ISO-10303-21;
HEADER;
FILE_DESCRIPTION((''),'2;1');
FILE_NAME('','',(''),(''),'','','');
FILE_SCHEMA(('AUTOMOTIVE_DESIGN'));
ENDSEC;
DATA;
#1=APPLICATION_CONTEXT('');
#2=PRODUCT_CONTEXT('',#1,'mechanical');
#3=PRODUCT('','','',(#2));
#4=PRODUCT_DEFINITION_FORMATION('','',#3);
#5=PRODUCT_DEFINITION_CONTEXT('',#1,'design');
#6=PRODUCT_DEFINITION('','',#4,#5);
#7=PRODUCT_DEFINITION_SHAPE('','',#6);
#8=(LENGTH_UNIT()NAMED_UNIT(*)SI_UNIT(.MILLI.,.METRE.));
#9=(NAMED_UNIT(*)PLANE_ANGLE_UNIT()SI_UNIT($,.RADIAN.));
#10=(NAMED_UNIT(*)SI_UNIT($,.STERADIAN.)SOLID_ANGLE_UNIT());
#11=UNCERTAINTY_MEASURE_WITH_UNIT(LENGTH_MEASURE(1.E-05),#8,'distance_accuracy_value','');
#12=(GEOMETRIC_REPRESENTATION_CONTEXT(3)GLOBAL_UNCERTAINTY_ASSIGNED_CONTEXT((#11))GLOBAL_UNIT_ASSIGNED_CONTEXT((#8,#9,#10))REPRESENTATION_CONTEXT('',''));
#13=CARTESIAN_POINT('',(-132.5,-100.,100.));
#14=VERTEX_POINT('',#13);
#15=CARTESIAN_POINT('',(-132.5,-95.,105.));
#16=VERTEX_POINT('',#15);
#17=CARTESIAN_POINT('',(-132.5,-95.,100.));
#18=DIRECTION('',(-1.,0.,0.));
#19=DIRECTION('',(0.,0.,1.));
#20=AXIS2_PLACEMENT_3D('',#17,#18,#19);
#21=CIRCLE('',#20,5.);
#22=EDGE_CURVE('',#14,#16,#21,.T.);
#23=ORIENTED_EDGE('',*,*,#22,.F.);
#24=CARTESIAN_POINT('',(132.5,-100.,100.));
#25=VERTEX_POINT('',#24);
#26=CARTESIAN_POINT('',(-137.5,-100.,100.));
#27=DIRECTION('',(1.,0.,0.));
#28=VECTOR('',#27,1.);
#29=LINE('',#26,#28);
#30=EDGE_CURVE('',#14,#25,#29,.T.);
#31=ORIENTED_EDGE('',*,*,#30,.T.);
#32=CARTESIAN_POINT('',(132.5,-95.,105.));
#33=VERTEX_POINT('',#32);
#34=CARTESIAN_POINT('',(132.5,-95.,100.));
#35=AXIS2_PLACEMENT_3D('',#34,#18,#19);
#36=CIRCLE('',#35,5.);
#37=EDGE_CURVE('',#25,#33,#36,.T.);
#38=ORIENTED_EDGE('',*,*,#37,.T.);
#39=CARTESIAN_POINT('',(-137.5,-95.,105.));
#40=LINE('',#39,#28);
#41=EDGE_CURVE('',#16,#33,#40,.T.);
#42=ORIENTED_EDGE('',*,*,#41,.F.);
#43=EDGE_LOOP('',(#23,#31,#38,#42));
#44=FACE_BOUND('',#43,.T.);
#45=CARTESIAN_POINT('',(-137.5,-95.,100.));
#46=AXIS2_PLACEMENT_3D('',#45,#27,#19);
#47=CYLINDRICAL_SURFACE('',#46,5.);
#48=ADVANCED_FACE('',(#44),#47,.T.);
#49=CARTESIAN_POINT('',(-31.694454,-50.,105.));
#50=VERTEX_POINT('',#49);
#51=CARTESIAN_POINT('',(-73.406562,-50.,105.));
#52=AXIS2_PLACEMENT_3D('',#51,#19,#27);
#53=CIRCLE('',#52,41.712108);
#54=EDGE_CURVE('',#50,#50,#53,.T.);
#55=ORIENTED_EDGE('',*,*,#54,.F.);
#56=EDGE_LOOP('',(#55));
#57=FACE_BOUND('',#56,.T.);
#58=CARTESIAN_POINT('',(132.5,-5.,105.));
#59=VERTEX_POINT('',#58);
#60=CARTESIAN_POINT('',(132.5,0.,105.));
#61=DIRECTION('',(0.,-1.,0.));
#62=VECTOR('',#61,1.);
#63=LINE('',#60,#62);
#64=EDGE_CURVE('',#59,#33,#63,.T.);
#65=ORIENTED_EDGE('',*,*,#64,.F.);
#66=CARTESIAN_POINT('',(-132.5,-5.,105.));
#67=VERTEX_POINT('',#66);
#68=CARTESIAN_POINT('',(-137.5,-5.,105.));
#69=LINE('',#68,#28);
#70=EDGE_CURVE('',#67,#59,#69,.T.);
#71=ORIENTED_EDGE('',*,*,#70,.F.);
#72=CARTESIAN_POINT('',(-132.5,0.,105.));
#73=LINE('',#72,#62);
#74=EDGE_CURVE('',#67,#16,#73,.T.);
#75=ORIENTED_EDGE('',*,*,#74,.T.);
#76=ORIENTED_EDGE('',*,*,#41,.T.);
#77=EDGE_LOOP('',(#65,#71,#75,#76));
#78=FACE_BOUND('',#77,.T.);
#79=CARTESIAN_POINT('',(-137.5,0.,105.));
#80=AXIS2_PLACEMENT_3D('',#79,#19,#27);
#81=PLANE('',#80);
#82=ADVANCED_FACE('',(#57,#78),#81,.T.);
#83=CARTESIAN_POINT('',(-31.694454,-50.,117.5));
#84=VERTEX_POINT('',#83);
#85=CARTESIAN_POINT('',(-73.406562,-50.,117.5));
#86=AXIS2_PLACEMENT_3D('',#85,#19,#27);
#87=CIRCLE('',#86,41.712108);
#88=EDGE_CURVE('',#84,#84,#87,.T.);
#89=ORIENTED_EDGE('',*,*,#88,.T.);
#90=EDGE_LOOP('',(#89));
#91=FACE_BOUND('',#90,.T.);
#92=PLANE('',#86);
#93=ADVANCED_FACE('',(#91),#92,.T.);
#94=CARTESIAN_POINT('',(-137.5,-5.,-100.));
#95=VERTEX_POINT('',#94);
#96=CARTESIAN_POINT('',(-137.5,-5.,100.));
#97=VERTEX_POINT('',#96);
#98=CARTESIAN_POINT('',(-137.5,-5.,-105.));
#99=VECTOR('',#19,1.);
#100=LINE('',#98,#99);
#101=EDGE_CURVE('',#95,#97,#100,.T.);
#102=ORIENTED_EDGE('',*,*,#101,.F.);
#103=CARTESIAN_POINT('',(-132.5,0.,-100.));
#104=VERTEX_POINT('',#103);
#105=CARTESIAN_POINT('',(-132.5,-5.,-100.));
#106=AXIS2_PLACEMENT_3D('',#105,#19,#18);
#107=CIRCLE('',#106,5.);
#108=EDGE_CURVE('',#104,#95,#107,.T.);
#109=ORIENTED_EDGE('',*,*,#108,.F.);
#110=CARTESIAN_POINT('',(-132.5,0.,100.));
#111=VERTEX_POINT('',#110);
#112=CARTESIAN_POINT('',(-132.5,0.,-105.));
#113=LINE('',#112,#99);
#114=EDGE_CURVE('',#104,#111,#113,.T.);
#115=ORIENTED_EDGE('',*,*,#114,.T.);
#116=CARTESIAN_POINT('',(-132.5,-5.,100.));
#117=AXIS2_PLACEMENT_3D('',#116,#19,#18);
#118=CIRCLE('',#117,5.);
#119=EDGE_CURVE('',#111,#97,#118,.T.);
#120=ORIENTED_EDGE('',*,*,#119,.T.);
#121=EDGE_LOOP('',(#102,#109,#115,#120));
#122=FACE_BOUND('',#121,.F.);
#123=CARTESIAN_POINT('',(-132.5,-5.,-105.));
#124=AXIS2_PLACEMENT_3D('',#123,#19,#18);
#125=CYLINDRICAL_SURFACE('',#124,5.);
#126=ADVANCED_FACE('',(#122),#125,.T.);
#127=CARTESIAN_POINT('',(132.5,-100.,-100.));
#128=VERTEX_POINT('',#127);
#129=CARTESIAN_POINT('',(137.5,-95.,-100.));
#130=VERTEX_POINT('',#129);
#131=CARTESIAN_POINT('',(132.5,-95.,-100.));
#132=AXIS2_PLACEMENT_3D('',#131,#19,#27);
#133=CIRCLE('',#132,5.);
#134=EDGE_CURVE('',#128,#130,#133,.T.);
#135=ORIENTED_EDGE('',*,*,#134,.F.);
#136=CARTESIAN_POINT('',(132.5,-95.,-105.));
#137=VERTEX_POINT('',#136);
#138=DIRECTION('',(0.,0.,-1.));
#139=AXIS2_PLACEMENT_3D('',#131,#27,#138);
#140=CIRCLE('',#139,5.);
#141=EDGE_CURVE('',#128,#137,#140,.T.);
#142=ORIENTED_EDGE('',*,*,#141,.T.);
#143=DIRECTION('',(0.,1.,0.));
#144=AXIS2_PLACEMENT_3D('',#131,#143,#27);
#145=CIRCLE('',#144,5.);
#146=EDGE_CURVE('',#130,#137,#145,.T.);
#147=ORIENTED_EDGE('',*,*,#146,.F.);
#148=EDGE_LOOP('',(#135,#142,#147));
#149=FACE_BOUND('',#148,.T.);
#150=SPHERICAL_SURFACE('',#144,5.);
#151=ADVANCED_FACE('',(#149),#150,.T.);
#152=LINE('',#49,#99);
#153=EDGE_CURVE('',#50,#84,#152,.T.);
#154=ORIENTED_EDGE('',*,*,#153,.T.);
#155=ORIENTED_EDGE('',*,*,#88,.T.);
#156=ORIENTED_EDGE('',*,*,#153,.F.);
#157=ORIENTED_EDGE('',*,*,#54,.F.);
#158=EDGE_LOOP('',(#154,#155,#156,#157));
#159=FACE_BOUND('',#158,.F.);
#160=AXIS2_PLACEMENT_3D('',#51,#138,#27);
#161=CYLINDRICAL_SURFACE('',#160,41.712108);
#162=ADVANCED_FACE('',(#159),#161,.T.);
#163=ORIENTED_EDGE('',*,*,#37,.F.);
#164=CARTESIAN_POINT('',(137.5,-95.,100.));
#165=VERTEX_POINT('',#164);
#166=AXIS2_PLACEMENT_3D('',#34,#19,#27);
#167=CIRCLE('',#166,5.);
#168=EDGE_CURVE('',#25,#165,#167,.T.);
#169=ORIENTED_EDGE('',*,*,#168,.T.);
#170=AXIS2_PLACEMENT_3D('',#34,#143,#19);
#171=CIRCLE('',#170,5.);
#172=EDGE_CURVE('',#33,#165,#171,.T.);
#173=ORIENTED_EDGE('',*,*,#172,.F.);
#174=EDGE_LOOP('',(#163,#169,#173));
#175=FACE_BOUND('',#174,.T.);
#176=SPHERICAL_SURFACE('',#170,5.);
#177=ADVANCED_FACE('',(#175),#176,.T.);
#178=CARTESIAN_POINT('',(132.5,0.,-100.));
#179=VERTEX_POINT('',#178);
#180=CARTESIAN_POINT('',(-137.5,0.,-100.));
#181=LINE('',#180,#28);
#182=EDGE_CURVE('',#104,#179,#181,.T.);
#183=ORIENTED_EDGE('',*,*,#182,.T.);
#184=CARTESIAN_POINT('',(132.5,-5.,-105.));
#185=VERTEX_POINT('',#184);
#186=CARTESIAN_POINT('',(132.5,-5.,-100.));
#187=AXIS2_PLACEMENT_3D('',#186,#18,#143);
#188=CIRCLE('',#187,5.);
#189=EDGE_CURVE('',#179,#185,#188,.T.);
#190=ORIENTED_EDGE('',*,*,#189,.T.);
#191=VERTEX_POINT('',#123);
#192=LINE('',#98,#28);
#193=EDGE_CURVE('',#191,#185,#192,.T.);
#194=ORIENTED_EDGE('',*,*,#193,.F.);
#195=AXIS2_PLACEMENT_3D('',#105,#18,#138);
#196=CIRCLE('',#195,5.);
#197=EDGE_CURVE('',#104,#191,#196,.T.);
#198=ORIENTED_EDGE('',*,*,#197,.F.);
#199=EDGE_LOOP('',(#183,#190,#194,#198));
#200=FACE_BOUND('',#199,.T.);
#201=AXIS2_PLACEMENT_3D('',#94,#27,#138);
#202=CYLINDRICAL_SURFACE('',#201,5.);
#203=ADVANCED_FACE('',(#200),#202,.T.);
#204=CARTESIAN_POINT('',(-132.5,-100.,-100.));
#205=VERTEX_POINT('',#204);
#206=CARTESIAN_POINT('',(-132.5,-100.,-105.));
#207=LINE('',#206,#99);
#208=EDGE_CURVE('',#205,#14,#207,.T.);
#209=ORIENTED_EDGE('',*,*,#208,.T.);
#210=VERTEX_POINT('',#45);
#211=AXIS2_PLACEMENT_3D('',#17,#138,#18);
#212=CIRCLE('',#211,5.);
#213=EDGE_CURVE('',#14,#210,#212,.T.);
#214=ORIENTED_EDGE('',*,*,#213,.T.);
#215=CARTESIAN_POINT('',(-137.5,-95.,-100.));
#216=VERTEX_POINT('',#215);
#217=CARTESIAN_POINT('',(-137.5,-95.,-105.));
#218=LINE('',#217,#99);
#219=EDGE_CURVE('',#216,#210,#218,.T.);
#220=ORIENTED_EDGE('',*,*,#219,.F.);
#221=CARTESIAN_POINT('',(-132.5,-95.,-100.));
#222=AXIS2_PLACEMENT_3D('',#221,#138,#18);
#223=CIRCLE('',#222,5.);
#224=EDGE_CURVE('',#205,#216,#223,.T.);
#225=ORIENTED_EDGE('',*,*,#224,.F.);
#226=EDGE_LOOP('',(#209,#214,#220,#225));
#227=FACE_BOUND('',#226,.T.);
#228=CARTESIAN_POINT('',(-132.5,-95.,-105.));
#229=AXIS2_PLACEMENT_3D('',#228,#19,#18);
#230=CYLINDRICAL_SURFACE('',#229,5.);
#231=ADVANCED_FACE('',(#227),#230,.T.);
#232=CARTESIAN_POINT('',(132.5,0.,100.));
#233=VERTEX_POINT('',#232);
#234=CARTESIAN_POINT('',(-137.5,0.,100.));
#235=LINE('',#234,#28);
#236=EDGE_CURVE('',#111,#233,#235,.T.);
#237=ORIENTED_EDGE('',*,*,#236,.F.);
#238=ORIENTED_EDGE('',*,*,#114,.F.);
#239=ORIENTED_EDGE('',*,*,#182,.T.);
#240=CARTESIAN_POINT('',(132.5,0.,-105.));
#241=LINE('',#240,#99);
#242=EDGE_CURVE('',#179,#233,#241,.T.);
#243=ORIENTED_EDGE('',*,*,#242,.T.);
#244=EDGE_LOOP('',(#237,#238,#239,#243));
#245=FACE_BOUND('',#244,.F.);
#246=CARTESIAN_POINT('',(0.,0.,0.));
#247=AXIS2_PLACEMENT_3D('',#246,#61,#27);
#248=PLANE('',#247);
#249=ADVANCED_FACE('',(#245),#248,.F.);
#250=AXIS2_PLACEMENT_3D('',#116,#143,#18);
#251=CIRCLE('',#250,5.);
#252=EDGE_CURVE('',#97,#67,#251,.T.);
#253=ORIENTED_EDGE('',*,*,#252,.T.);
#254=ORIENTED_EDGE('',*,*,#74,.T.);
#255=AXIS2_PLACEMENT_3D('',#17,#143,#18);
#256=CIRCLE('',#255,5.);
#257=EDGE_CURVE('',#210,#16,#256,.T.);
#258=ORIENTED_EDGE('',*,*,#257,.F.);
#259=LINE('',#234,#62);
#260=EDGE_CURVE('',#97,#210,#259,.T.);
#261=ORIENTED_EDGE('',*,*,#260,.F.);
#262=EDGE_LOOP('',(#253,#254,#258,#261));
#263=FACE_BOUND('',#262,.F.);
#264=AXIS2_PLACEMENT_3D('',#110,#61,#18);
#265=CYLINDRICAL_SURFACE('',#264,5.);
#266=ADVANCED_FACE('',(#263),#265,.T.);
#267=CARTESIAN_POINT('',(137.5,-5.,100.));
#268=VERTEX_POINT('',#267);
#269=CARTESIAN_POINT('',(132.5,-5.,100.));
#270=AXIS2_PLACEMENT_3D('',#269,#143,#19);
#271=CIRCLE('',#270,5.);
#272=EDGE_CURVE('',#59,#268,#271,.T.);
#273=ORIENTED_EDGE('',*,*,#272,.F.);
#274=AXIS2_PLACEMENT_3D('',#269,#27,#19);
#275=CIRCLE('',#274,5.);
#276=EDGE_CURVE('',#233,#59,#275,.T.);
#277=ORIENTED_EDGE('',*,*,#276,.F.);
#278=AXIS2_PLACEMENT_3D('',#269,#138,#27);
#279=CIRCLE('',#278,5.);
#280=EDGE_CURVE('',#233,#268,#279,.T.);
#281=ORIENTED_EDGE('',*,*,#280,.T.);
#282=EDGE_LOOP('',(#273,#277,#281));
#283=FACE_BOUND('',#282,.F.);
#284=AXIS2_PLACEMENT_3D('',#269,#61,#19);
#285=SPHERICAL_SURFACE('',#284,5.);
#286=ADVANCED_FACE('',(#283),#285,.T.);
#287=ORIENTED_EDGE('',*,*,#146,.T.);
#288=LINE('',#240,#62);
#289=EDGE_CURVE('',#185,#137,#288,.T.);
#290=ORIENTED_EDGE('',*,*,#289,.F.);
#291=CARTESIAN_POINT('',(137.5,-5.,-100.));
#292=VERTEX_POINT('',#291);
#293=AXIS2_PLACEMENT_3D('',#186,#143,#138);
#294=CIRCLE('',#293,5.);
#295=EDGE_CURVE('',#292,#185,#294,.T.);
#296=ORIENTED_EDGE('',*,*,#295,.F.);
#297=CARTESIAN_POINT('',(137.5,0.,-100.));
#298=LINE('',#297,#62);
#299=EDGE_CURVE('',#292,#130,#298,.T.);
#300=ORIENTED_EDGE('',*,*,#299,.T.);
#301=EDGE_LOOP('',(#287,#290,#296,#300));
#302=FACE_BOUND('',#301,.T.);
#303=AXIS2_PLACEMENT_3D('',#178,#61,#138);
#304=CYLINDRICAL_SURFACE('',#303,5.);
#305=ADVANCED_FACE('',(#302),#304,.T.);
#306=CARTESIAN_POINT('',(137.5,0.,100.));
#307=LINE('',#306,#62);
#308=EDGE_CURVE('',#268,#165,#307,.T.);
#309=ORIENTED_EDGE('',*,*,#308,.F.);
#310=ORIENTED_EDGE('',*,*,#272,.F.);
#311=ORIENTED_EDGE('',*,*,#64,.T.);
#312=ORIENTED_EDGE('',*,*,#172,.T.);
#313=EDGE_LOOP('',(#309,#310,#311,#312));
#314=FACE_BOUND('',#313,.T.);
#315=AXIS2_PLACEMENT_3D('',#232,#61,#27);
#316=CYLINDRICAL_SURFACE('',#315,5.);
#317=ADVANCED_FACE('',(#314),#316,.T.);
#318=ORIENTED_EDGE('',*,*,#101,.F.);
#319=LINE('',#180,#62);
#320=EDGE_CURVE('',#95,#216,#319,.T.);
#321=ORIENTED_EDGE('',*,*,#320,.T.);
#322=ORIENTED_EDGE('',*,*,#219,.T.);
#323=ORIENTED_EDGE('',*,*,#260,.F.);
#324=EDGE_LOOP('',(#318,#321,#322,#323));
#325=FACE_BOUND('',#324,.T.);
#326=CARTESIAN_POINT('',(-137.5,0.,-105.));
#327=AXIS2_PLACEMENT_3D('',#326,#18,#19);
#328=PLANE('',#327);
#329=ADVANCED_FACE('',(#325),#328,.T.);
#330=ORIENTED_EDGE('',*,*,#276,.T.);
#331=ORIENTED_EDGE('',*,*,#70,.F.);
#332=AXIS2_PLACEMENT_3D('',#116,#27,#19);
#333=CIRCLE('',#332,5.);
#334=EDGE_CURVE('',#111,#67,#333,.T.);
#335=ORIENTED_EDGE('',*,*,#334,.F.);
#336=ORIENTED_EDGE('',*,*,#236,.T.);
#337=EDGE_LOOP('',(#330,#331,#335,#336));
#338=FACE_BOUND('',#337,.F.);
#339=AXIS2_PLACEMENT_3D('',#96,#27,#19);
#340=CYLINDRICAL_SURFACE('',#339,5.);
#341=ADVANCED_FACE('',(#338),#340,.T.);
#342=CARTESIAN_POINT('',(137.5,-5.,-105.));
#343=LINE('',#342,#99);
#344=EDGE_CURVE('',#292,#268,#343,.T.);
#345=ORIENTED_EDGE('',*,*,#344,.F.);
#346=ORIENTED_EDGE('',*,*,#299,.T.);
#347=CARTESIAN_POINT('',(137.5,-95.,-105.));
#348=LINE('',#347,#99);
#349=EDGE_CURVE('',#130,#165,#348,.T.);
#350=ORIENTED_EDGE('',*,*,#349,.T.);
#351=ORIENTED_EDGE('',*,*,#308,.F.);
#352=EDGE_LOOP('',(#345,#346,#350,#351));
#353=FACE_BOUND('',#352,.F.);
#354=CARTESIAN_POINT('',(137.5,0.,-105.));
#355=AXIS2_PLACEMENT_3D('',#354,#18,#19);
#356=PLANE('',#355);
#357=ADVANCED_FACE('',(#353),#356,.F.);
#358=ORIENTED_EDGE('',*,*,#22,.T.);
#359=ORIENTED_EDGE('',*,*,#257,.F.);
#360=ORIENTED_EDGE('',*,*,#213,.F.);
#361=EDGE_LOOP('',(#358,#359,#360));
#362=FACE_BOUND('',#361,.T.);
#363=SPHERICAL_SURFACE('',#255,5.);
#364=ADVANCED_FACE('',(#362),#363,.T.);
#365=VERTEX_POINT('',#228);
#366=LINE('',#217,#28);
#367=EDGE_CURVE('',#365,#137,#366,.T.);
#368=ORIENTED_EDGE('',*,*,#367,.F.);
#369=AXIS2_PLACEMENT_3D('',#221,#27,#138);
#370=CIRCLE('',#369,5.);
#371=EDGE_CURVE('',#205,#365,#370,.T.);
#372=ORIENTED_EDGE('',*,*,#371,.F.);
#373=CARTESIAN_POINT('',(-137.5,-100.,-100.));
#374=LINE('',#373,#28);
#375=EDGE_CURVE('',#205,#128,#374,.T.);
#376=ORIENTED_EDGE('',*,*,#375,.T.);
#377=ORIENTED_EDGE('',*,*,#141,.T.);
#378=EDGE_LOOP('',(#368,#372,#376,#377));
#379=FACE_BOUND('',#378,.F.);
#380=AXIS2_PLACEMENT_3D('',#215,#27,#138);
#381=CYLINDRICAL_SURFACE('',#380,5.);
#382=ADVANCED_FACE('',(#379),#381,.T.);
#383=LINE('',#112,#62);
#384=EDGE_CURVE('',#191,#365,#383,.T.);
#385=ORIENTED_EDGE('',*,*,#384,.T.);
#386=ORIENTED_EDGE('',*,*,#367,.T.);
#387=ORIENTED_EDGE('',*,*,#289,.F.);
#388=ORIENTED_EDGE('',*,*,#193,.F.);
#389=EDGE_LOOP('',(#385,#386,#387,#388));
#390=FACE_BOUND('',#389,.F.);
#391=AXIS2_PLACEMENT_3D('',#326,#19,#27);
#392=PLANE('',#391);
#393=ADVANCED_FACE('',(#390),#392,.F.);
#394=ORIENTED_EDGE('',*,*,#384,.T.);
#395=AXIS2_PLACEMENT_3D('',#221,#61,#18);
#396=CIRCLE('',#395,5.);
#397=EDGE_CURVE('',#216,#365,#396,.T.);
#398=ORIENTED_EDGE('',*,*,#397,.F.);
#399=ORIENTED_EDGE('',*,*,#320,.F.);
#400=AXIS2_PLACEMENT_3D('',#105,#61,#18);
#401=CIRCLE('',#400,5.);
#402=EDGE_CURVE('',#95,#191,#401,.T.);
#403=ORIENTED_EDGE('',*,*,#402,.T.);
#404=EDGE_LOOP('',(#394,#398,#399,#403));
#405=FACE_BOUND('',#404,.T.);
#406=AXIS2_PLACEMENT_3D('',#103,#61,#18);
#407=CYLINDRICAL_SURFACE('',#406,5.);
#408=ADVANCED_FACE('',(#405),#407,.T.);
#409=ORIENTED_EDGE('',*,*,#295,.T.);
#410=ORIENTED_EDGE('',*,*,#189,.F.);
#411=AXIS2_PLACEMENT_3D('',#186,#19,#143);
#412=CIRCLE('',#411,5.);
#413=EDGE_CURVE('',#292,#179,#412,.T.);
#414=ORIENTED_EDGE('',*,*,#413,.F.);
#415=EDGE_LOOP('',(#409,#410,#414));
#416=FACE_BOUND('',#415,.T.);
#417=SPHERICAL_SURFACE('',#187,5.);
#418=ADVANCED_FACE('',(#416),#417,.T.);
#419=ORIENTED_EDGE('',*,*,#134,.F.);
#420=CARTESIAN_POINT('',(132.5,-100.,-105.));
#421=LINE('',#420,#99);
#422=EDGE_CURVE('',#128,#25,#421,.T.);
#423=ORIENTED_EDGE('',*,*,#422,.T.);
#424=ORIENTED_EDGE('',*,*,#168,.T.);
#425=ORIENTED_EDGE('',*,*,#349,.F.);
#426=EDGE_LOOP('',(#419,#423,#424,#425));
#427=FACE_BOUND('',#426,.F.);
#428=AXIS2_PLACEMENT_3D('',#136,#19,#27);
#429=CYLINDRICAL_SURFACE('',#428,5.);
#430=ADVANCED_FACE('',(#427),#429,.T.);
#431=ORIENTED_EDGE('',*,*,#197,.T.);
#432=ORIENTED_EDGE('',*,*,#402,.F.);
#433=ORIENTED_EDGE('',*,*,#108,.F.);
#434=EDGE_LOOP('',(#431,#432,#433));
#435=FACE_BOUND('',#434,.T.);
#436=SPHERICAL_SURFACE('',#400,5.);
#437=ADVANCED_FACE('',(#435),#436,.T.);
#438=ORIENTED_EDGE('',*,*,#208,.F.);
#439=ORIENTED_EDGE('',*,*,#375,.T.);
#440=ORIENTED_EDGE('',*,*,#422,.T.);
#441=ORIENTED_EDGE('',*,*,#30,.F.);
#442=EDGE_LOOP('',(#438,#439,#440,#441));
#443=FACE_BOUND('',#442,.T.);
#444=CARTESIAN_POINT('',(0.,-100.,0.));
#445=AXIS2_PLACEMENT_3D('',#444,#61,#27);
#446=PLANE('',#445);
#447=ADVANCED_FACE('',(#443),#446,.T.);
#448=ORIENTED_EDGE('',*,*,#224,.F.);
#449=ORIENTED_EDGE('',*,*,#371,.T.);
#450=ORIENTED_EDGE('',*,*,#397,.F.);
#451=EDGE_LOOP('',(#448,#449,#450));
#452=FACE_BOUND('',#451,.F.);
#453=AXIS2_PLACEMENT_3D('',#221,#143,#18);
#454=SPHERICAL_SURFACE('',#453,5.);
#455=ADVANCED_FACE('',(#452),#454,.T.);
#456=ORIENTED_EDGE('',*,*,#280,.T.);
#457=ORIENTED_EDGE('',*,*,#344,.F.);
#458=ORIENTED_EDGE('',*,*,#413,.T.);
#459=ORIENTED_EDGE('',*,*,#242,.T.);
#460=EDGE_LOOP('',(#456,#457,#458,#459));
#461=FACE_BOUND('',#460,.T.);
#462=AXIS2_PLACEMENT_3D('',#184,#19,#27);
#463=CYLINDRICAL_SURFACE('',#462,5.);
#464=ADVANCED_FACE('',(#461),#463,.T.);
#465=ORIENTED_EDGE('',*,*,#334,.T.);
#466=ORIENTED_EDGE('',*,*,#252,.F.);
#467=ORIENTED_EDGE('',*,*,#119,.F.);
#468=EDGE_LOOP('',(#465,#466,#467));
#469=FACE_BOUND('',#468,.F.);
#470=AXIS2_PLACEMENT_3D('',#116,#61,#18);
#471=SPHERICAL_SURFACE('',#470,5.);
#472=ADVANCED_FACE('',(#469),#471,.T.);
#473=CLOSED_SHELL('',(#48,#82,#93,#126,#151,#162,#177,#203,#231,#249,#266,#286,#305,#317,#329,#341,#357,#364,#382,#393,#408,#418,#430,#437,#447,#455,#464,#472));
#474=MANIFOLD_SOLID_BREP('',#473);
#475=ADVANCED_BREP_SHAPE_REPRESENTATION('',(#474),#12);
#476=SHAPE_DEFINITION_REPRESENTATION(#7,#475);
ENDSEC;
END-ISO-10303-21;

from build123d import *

# Parameters (mm, degrees)
F0_W     = 275
F0_H     = 210
F1_DEPTH = 100
F2_R     = 5
F3_R     = 41.712108
F4_DEPTH = 12.5


with BuildPart() as f1:
    # F0 (on Front) → F1 (new body)
    with BuildSketch(Plane.XZ):
        Rectangle(F0_W, F0_H)
    extrude(amount=F1_DEPTH)

    # F2
    f2_edges = [f1.edges().sort_by_distance(p)[0] for p in [
        (-137.5, -50, 105),
        (-137.5, -50, -105),
        (-137.5, 0, 0),
        (-137.5, -100, 0),
        (137.5, -50, 105),
        (0, 0, 105),
        (0, -100, 105),
        (0, 0, -105),
        (137.5, 0, 0),
        (137.5, -50, -105),
        (137.5, -100, 0),
        (0, -100, -105),
    ]]
    fillet(f2_edges, radius=F2_R)

    # F3 (on face) → F4 (join)
    with BuildSketch(Plane.XY.offset(105)):
        with Locations((-73.406562, -50)):
            Circle(F3_R)
    extrude(amount=F4_DEPTH)


solid = f1.part
